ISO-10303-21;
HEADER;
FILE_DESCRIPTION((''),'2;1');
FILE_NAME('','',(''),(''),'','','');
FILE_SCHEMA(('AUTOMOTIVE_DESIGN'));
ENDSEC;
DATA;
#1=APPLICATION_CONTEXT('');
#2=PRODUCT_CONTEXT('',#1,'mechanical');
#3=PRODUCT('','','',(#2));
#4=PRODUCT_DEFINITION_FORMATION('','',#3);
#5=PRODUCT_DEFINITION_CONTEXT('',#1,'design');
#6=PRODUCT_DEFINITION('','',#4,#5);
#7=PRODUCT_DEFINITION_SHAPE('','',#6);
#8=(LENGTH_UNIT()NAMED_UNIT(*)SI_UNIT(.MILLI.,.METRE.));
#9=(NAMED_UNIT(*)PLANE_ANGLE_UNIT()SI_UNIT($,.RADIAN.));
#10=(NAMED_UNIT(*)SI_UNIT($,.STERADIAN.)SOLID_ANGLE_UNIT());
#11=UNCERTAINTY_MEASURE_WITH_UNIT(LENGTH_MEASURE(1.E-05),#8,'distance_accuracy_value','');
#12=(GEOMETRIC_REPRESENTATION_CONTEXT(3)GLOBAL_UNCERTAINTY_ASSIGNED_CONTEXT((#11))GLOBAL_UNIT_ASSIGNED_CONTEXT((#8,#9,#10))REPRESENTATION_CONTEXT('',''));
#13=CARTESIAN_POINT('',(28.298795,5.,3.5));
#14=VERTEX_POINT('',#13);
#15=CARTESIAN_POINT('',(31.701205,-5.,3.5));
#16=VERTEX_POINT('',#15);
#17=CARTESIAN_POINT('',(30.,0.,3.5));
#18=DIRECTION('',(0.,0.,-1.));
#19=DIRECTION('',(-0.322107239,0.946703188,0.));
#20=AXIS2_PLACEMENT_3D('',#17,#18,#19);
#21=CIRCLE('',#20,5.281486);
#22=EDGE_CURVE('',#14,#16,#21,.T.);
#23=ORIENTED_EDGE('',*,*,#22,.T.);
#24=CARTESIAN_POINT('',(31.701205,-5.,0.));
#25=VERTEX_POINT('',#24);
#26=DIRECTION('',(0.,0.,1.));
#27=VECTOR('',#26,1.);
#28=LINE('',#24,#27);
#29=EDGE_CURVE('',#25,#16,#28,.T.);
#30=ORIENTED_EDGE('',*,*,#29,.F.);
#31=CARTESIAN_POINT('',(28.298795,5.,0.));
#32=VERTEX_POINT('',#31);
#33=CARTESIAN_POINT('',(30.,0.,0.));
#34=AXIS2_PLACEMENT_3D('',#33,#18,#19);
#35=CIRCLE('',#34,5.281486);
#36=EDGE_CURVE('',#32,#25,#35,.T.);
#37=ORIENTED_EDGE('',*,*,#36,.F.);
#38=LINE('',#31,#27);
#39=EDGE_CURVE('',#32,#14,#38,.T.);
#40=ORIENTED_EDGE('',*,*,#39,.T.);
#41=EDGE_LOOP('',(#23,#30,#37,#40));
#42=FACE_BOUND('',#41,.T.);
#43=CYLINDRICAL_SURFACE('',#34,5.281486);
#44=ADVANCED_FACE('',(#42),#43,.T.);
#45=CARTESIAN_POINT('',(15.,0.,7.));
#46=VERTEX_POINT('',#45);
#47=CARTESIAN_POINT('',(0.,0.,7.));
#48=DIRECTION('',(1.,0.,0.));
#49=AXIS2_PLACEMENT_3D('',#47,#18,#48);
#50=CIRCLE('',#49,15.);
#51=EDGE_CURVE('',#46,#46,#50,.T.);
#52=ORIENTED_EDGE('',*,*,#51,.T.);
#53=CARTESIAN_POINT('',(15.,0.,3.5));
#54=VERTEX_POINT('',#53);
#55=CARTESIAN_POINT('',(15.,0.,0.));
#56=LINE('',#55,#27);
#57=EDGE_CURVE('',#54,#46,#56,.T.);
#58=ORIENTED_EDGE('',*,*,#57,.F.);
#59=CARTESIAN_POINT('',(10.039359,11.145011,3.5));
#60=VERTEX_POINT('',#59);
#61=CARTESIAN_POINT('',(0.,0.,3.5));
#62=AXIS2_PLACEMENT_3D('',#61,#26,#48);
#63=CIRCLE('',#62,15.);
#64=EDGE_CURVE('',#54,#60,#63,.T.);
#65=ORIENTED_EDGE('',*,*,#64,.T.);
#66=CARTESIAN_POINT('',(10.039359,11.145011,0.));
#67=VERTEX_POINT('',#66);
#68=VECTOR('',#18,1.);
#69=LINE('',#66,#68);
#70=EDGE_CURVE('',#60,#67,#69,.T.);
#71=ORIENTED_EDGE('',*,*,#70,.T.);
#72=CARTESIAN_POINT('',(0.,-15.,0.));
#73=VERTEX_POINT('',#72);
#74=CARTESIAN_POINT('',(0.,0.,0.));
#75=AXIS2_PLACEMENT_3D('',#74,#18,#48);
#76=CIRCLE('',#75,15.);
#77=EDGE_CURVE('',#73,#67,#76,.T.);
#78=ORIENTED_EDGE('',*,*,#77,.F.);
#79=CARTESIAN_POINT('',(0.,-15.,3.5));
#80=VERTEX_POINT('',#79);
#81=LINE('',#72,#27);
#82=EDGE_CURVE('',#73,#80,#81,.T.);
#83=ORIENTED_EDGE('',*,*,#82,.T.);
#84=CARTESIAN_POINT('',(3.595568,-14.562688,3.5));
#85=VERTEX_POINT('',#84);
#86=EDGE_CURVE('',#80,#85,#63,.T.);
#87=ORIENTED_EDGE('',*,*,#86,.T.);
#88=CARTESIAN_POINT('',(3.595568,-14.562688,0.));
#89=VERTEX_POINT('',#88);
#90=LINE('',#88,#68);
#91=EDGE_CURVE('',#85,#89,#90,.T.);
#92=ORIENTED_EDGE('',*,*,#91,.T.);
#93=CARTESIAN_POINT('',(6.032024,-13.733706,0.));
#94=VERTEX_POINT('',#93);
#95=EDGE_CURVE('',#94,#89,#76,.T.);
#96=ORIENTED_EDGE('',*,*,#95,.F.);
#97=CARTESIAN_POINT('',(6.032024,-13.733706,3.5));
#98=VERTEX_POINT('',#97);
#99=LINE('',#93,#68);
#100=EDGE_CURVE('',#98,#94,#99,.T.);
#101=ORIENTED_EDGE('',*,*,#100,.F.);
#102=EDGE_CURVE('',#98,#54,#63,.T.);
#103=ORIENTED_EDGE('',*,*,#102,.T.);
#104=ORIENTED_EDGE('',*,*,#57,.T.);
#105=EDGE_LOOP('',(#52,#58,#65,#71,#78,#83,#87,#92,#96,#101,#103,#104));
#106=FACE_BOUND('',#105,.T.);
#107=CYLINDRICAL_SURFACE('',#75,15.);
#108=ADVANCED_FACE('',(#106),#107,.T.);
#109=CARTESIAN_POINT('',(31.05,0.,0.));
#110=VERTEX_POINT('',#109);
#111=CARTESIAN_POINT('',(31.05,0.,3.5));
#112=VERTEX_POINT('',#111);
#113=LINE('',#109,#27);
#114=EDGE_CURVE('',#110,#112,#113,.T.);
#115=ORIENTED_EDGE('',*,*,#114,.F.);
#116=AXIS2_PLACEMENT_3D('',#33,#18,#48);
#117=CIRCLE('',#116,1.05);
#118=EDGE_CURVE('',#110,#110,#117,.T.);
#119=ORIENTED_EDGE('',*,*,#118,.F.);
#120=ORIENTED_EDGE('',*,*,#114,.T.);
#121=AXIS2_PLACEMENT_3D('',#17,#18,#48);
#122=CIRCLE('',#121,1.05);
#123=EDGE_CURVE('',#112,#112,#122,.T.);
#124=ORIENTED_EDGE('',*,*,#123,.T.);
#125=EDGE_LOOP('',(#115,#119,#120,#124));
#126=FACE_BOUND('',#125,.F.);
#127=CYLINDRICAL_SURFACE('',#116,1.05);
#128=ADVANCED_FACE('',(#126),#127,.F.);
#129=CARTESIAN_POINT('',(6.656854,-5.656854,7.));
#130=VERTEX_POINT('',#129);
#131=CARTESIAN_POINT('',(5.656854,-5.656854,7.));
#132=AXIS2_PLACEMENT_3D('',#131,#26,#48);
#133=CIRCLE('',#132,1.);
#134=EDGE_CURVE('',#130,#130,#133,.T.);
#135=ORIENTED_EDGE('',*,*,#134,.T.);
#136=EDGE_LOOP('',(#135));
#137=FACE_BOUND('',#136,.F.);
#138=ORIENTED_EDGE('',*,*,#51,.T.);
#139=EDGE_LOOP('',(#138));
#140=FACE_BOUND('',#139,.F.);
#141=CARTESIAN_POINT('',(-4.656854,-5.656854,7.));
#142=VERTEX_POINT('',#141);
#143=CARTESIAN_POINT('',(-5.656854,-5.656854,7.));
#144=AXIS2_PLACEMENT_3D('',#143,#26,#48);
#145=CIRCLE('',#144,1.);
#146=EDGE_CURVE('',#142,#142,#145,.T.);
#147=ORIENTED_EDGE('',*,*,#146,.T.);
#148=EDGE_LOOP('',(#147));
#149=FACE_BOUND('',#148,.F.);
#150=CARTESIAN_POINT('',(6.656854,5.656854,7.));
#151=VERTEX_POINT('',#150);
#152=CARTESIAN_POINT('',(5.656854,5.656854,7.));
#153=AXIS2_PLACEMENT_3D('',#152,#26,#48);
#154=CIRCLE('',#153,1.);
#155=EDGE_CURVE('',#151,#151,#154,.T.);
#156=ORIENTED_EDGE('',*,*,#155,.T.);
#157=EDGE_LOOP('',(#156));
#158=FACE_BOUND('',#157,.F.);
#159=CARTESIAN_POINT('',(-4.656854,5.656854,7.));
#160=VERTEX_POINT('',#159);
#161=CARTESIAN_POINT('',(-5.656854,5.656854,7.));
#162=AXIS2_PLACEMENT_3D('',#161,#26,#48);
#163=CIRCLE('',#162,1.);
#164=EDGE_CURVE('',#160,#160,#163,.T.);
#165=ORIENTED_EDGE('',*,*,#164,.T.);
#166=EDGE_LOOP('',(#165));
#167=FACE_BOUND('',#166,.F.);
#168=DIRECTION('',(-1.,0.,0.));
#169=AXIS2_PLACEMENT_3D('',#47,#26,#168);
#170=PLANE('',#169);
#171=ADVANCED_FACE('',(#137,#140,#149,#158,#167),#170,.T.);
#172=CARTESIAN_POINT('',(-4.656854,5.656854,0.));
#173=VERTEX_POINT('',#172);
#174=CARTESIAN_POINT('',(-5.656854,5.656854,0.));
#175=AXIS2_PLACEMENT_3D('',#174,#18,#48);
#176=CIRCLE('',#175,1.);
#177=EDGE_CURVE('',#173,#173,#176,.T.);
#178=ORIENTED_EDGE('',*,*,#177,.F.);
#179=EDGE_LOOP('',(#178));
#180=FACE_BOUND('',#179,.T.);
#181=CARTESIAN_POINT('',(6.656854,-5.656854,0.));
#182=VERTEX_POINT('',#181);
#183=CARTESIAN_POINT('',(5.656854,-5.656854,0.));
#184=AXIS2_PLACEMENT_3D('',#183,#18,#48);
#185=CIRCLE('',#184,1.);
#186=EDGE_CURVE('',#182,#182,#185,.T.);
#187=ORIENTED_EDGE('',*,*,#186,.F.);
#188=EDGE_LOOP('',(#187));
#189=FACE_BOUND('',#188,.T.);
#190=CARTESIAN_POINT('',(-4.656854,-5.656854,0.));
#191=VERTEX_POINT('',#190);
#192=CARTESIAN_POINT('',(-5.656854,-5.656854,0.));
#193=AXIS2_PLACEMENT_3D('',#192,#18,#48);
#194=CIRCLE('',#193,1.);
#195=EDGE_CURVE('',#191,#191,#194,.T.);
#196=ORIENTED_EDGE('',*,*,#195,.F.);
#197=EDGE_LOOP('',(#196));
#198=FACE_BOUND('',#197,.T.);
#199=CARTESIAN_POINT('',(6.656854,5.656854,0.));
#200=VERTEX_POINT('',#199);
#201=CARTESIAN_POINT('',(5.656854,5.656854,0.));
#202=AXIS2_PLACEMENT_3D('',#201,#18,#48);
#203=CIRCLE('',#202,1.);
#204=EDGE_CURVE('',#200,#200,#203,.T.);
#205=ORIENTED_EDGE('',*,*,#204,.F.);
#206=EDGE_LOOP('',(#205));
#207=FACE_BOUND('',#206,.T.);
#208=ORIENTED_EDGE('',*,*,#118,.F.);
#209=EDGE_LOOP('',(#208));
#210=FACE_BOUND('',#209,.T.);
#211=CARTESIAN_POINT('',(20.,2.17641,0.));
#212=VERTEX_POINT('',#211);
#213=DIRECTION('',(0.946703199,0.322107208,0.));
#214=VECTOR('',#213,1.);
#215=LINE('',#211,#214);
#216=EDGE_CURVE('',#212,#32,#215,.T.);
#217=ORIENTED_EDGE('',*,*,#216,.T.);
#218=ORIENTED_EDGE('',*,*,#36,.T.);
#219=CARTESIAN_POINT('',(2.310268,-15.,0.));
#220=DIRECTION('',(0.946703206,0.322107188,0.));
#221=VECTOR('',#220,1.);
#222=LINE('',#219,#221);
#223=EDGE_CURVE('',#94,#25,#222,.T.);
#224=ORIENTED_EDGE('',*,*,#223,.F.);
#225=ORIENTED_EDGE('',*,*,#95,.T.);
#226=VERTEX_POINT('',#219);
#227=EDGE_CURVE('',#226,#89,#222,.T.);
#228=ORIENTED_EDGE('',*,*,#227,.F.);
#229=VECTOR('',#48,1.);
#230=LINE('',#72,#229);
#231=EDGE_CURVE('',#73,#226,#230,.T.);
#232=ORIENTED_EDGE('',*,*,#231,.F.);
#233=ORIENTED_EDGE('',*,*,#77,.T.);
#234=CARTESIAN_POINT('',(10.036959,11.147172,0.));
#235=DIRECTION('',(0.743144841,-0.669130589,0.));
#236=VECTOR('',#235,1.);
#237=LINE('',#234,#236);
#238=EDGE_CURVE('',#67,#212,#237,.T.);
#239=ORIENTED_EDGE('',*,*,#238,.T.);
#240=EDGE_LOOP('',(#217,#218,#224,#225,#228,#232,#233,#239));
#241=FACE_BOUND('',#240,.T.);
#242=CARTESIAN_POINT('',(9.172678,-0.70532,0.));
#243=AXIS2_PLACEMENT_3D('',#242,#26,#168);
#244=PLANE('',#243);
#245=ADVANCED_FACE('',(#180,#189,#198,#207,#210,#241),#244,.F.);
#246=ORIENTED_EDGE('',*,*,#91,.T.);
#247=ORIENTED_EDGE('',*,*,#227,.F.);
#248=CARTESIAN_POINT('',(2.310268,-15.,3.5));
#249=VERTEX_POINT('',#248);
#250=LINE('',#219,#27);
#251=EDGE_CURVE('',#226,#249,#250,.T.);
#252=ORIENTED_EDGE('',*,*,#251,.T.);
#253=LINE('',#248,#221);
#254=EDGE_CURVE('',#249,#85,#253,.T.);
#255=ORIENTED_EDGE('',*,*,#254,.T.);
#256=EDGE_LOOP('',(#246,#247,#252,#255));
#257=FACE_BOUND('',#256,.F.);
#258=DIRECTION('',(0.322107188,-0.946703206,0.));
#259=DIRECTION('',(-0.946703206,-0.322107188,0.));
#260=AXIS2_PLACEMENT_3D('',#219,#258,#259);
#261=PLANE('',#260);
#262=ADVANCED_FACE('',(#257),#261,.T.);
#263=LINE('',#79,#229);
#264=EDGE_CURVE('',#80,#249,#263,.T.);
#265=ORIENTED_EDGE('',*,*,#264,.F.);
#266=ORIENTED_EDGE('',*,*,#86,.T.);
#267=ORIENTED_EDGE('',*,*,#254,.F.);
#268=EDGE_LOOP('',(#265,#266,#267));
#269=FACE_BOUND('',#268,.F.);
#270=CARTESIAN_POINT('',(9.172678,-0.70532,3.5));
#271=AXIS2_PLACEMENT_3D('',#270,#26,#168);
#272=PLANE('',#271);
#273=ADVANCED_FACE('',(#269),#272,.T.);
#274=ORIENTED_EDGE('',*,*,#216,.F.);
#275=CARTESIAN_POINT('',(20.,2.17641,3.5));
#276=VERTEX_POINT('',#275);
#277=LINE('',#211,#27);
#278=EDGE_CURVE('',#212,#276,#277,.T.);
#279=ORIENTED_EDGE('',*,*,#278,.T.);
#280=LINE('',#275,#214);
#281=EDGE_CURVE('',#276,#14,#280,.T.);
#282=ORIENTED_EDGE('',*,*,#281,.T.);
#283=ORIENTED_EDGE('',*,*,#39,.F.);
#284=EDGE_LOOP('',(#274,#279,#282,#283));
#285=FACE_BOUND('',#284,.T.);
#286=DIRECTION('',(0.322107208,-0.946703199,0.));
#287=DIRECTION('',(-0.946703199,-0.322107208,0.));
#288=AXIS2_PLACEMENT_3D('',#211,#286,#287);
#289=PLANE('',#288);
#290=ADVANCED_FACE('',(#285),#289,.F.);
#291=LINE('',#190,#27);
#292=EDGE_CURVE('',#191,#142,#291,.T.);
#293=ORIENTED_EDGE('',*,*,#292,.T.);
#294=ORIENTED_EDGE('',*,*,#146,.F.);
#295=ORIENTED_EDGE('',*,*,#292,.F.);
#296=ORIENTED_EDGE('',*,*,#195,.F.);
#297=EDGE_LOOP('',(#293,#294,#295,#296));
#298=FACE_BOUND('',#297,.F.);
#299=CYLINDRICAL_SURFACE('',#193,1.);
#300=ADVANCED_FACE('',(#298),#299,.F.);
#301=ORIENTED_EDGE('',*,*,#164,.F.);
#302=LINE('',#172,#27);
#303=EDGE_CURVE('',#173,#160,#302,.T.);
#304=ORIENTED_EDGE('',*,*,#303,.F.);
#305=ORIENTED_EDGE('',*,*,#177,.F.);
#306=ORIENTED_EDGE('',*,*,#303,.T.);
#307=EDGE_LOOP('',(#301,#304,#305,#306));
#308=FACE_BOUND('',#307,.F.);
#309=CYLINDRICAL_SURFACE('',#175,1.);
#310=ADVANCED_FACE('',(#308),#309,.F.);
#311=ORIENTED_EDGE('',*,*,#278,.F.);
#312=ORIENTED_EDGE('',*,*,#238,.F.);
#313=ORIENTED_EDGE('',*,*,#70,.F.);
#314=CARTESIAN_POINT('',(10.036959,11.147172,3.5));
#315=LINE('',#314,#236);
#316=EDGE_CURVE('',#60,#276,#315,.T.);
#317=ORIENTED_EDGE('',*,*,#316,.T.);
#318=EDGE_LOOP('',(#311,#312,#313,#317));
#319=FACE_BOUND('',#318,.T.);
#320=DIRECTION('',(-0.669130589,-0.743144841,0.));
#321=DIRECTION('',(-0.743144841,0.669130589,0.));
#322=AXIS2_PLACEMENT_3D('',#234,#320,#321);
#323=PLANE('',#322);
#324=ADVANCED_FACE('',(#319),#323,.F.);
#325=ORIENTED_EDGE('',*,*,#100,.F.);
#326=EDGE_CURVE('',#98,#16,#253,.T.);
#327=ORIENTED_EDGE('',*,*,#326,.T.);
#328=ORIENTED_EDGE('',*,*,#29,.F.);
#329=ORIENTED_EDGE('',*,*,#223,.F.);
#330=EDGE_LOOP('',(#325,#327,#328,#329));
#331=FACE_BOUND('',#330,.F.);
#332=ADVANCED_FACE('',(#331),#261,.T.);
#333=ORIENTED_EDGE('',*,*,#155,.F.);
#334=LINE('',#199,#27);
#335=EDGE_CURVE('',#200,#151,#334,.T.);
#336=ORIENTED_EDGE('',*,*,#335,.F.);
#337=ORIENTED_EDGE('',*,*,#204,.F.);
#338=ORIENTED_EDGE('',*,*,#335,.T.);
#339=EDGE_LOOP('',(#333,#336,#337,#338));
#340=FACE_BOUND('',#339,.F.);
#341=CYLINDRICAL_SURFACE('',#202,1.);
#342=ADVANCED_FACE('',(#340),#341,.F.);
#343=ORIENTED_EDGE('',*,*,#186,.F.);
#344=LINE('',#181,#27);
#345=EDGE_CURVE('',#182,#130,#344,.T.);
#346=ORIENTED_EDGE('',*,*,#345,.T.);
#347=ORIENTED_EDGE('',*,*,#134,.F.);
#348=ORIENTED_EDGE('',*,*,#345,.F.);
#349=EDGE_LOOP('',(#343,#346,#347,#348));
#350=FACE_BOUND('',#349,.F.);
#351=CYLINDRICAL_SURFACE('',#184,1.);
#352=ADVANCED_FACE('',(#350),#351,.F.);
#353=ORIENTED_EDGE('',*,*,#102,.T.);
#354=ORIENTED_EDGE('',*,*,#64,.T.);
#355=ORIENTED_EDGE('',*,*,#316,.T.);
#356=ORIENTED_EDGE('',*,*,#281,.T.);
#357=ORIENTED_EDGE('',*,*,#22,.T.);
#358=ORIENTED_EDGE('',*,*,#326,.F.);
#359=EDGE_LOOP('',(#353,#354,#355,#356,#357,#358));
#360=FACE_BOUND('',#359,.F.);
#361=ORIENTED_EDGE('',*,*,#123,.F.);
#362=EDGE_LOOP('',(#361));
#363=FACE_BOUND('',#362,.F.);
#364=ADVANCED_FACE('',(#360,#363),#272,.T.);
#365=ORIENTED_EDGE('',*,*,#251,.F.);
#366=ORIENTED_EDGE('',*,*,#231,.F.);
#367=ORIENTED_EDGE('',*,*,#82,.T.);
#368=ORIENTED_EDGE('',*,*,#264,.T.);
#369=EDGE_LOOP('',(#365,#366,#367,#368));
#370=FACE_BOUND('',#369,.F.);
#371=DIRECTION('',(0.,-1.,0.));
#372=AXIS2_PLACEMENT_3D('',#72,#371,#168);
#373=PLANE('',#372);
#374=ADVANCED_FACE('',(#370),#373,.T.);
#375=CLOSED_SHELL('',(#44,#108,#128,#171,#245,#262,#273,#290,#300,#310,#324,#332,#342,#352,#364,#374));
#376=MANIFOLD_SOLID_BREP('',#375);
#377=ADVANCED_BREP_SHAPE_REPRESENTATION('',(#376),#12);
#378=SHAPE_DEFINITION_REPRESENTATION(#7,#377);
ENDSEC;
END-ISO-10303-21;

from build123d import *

# Parameters (mm, degrees)
SKETCH_R     = 1.05
PAD_DEPTH    = 3.5
SKETCH001_R  = 15
PAD001_DEPTH = 7
SKETCH002_R  = 1
POCKET_DEPTH = 10


with BuildPart() as body:
    # Sketch → Pad (new body)
    with BuildSketch(Plane.XY):
        with BuildLine():
            ThreePointArc((0, 15), (-14.003706, -5.375519), (10.036959, -11.147172))
            Line((10.036959, -11.147172), (20, -2.17641))
            Line((20, -2.17641), (28.298795, -5))
            ThreePointArc((28.298795, -5), (35, -1.701205), (31.701205, 5))
            Line((2.310268, 15), (31.701205, 5))
            Line((0, 15), (2.310268, 15))
        make_face()
        with Locations((30, 0)):
            Circle(SKETCH_R, mode=Mode.SUBTRACT)
    extrude(amount=PAD_DEPTH)

    # Sketch001 → Pad001 (join)
    with BuildSketch(Plane.XY):
        Circle(SKETCH001_R)
    extrude(amount=PAD001_DEPTH)

    # Sketch002 → Pocket (cut)
    with BuildSketch(Plane.XY):
        with Locations((-5.656854, 5.656854)):
            Circle(SKETCH002_R)
        with Locations((5.656854, 5.656854)):
            Circle(SKETCH002_R)
        with Locations((5.656854, -5.656854)):
            Circle(SKETCH002_R)
        with Locations((-5.656854, -5.656854)):
            Circle(SKETCH002_R)
    extrude(amount=POCKET_DEPTH, mode=Mode.SUBTRACT)


with BuildPart() as part_mirroring:
    # Part__Mirroring: instance of Body
    add(body.part.mirror(Plane(origin=(0, 0, 0), x_dir=(1, 0, 0), z_dir=(0, 1, 0))))


solid = part_mirroring.part
